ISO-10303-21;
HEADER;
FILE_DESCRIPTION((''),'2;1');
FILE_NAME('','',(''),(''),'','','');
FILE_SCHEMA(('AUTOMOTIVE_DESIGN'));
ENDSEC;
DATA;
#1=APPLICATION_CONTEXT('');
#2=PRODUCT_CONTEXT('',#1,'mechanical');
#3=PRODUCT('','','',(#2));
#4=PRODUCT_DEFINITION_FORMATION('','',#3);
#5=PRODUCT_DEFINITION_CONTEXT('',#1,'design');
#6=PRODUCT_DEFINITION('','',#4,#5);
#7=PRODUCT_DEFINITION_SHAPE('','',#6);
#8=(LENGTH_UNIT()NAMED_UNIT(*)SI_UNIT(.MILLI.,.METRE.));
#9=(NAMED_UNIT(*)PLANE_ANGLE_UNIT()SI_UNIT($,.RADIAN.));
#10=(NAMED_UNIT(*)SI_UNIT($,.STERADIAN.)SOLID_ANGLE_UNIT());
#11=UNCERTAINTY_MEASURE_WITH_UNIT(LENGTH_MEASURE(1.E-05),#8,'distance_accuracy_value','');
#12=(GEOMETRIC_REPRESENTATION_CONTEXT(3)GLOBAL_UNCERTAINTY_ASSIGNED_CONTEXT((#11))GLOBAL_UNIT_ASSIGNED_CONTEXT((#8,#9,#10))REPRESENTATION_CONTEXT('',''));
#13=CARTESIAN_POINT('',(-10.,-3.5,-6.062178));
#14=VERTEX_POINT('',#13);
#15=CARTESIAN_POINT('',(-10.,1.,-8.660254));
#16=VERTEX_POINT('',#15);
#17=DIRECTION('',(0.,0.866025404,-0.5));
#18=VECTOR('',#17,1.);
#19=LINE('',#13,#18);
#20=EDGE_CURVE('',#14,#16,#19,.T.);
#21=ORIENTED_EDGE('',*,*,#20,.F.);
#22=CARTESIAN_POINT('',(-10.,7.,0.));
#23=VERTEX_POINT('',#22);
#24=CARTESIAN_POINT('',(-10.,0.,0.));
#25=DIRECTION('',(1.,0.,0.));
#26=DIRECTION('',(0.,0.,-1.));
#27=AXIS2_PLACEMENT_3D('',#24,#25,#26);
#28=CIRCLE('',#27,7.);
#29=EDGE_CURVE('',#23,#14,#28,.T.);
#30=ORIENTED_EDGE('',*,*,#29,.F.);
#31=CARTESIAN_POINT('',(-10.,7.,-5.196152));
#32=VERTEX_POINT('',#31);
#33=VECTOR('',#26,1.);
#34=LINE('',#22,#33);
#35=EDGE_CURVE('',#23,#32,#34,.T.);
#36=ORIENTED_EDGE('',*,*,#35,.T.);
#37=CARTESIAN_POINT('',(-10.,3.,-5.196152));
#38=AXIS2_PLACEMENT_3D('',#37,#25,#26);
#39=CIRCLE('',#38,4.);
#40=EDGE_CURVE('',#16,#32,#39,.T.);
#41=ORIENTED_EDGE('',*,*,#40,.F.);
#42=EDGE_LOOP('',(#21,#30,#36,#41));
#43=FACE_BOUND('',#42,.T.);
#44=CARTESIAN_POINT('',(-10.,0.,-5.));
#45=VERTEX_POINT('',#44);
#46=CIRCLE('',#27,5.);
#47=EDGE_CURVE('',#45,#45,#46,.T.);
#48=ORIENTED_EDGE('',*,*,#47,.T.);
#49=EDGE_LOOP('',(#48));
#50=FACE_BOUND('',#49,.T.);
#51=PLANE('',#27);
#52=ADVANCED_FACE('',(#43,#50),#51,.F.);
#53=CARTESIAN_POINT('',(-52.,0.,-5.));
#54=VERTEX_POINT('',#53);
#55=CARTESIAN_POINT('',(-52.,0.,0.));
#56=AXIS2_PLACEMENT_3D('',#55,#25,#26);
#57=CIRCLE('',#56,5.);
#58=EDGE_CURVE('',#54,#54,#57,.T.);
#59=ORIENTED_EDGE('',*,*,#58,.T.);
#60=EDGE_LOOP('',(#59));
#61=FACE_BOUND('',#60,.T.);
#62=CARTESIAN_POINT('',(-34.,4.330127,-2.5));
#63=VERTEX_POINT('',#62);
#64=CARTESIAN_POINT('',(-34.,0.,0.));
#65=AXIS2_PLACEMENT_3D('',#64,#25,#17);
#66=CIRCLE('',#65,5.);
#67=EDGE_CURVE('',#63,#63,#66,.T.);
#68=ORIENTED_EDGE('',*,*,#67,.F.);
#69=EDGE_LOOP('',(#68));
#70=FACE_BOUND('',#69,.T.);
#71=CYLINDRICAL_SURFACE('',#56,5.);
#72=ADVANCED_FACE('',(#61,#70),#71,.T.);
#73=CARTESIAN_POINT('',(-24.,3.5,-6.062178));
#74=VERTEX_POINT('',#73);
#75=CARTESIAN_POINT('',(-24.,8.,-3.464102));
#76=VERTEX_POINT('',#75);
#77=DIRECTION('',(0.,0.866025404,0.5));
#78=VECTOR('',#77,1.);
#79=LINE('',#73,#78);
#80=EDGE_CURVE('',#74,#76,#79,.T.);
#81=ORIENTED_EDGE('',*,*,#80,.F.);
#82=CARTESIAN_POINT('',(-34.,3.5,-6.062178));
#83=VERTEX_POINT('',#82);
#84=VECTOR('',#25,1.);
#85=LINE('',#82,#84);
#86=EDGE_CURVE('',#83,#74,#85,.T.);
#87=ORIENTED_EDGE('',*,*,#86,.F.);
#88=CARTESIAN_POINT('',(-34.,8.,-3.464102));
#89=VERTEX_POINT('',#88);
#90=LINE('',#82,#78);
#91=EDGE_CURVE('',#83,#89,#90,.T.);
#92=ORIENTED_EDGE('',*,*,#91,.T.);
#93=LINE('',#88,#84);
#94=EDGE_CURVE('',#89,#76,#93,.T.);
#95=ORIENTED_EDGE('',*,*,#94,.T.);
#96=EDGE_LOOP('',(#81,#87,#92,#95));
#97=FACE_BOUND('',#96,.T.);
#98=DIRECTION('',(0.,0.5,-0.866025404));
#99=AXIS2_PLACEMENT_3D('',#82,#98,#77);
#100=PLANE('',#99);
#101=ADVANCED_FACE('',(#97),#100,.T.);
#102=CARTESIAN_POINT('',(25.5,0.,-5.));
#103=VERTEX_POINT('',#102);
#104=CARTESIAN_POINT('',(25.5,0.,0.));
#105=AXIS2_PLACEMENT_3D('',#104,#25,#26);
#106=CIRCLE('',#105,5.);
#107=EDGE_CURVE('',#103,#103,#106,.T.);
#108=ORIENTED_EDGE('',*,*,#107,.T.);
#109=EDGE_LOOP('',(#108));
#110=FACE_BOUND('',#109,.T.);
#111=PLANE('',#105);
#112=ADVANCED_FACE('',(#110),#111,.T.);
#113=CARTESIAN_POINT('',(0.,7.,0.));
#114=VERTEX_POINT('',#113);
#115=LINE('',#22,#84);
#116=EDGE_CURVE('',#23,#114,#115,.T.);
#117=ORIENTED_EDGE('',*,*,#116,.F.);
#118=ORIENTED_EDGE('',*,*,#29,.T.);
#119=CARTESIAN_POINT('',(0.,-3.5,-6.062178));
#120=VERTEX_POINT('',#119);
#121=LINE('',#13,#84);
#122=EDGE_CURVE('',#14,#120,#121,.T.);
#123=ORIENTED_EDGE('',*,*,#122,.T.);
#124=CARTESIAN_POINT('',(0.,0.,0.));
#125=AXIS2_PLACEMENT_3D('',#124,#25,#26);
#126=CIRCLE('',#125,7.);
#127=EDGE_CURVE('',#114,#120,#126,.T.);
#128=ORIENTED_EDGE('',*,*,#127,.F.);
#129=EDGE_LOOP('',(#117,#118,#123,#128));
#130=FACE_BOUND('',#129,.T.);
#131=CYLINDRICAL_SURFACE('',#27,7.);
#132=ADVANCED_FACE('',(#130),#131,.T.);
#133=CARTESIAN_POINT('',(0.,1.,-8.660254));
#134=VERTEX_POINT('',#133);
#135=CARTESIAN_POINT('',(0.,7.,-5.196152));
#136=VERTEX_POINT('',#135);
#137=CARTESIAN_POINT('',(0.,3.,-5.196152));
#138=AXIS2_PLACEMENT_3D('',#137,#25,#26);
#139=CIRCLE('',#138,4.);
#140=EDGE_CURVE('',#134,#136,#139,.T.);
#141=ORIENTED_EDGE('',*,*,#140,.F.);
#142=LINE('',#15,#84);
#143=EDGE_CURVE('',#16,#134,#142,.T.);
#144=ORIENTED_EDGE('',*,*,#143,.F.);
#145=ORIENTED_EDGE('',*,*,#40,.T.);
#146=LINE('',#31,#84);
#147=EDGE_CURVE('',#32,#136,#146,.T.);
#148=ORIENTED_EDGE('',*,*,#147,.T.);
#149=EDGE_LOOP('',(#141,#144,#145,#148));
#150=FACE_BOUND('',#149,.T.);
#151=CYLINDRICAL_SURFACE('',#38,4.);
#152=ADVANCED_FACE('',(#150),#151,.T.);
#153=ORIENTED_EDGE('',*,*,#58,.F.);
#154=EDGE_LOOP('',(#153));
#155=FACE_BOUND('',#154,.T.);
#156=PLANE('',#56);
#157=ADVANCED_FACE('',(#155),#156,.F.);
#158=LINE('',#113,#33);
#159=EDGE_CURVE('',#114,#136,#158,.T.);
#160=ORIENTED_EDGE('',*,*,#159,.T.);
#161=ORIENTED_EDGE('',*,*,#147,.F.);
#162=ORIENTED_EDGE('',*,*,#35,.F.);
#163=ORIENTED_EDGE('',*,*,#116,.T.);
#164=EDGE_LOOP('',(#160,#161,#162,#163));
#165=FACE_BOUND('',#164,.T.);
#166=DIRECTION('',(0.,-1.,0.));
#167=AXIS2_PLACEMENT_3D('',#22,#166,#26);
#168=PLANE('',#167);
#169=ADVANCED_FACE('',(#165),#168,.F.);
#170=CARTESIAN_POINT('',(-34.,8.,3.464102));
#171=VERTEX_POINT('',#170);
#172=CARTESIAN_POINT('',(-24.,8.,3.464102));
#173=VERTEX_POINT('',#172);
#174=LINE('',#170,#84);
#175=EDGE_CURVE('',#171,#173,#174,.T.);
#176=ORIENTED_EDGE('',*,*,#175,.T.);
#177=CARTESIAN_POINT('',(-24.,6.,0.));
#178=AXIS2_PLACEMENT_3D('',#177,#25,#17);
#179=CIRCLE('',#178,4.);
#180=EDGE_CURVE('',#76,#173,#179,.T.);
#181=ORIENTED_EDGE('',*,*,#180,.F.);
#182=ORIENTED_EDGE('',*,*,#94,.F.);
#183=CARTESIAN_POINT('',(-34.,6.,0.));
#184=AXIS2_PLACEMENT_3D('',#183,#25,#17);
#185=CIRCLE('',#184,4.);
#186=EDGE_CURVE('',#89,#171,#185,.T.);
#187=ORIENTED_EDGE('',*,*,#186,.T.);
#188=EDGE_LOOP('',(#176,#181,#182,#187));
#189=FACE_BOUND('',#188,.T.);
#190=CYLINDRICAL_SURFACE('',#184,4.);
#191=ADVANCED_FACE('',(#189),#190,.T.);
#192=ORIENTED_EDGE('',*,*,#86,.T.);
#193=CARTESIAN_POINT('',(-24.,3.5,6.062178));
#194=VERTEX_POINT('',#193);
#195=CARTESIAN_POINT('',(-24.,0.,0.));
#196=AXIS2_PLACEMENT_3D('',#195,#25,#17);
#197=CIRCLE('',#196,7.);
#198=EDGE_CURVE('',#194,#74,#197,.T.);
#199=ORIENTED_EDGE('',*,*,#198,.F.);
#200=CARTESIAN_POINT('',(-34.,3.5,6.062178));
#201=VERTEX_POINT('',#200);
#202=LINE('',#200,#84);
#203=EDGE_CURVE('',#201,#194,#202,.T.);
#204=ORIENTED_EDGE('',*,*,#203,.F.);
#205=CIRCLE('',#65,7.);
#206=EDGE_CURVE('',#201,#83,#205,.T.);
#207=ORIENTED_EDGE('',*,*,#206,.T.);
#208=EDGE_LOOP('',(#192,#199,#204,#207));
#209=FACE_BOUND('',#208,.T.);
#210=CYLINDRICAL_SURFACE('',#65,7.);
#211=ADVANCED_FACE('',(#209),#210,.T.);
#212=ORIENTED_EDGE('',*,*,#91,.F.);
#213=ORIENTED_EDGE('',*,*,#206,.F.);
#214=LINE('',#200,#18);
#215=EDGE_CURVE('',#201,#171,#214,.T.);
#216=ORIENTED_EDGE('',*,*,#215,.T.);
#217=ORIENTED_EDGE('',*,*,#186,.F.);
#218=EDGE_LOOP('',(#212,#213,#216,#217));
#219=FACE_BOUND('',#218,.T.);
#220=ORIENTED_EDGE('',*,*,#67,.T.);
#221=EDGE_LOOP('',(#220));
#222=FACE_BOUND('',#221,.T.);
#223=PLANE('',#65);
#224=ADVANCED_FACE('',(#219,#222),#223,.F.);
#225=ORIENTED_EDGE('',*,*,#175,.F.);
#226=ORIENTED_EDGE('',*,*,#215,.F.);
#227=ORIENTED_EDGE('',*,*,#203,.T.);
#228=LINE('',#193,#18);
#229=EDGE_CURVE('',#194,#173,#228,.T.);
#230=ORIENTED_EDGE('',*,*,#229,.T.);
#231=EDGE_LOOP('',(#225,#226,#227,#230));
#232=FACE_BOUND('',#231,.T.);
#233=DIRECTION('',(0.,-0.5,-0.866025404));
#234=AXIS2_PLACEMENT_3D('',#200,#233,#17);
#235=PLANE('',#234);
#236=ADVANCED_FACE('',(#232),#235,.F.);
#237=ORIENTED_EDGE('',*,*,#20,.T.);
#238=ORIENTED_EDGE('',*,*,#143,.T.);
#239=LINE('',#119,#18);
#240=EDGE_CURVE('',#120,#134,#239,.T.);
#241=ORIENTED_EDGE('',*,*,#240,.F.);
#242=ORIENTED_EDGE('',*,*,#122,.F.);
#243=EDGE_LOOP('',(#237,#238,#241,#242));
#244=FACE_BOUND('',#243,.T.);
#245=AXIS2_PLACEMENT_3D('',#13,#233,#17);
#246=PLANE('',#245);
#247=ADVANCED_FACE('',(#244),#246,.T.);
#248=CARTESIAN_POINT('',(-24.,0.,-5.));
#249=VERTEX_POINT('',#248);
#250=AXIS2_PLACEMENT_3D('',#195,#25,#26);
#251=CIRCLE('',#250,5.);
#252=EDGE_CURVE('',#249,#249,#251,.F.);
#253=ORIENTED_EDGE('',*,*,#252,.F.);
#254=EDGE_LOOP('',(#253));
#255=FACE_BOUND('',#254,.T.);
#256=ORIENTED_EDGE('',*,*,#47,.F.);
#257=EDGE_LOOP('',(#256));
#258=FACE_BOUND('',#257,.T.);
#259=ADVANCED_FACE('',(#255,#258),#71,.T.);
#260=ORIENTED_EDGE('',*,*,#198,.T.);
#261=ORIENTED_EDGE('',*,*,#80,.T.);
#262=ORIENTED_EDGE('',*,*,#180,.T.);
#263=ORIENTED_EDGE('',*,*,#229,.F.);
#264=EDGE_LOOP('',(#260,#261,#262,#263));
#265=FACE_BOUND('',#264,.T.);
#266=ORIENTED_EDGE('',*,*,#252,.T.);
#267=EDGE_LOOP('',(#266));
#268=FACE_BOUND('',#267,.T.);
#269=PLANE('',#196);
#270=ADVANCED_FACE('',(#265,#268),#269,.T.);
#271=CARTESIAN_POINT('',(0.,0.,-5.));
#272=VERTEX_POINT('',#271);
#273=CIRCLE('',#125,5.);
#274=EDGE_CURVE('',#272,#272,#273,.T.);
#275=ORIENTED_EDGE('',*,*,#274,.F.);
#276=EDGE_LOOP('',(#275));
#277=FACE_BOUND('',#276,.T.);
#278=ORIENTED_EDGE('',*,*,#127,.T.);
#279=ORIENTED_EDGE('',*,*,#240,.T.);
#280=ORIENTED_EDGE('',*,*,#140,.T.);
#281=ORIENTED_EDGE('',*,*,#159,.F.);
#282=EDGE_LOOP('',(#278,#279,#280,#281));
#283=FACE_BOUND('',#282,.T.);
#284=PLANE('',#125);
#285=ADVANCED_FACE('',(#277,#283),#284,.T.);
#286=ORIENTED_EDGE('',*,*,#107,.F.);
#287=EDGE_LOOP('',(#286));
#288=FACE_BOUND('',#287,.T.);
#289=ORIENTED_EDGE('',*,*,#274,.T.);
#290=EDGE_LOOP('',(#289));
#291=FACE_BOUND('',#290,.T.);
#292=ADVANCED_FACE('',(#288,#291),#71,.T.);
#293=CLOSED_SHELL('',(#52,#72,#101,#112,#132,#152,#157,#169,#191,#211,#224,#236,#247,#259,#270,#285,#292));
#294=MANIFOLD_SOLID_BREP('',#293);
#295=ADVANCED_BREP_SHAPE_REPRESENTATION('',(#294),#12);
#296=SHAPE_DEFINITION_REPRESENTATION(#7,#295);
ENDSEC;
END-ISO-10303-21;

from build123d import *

# Parameters (mm, degrees)
SKETCH2_R             = 5
BOSS_EXTRUDE1_DEPTH   = 10
BODY_MOVE_COPY2_ANGLE = 60
BOSS_EXTRUDE2_START   = 28
SKETCH3_R             = 5
BOSS_EXTRUDE2_DEPTH   = 80
SKETCH4_R             = 5
CUT_EXTRUDE1_DEPTH    = 2.5


with BuildPart() as part:
    # Sketch2 → Boss-Extrude1 (new body)
    with BuildSketch(Plane.YZ):
        with BuildLine():
            Line((-3.5, -6.062177826), (1, -8.660254038))
            ThreePointArc((1, -8.660254038), (5, -8.660254038), (7, -5.196152423))
            Line((7, -5.196152423), (7, 0))
            ThreePointArc((7, 0), (-3.5, 6.062177826), (-3.5, -6.062177826))
        make_face()
        with Locations(Location((0, 0, 0), (0, 0, 270))):
            Circle(SKETCH2_R, mode=Mode.SUBTRACT)
    extrude(amount=-BOSS_EXTRUDE1_DEPTH)


with BuildPart() as body_2:
    # Body-Move/Copy1: copy of part
    add(part.part.moved(Location((-24, 0, 0))))


with BuildPart() as body_2_1:
    # Body-Move/Copy2: moved
    add(body_2.part.rotate(Axis((0, 0, 0), (1, 0, 0)), BODY_MOVE_COPY2_ANGLE))


with BuildPart() as part_1:
    add(part.part)

    add(body_2_1.part)  # Boss-Extrude2 merges body 2
    # Sketch3 → Boss-Extrude2 (add)
    with BuildSketch(Plane.YZ.offset(BOSS_EXTRUDE2_START)):
        with Locations(Location((0, 0, 0), (0, 0, 270))):
            Circle(SKETCH3_R)
    extrude(amount=-BOSS_EXTRUDE2_DEPTH)

    # Sketch4 → Cut-Extrude1 (cut)
    with BuildSketch(Plane.YZ.offset(28)):
        with Locations(Location((0, 0, 0), (0, 0, 270))):
            Circle(SKETCH4_R)
    extrude(amount=-CUT_EXTRUDE1_DEPTH, mode=Mode.SUBTRACT)


solid = part_1.part
